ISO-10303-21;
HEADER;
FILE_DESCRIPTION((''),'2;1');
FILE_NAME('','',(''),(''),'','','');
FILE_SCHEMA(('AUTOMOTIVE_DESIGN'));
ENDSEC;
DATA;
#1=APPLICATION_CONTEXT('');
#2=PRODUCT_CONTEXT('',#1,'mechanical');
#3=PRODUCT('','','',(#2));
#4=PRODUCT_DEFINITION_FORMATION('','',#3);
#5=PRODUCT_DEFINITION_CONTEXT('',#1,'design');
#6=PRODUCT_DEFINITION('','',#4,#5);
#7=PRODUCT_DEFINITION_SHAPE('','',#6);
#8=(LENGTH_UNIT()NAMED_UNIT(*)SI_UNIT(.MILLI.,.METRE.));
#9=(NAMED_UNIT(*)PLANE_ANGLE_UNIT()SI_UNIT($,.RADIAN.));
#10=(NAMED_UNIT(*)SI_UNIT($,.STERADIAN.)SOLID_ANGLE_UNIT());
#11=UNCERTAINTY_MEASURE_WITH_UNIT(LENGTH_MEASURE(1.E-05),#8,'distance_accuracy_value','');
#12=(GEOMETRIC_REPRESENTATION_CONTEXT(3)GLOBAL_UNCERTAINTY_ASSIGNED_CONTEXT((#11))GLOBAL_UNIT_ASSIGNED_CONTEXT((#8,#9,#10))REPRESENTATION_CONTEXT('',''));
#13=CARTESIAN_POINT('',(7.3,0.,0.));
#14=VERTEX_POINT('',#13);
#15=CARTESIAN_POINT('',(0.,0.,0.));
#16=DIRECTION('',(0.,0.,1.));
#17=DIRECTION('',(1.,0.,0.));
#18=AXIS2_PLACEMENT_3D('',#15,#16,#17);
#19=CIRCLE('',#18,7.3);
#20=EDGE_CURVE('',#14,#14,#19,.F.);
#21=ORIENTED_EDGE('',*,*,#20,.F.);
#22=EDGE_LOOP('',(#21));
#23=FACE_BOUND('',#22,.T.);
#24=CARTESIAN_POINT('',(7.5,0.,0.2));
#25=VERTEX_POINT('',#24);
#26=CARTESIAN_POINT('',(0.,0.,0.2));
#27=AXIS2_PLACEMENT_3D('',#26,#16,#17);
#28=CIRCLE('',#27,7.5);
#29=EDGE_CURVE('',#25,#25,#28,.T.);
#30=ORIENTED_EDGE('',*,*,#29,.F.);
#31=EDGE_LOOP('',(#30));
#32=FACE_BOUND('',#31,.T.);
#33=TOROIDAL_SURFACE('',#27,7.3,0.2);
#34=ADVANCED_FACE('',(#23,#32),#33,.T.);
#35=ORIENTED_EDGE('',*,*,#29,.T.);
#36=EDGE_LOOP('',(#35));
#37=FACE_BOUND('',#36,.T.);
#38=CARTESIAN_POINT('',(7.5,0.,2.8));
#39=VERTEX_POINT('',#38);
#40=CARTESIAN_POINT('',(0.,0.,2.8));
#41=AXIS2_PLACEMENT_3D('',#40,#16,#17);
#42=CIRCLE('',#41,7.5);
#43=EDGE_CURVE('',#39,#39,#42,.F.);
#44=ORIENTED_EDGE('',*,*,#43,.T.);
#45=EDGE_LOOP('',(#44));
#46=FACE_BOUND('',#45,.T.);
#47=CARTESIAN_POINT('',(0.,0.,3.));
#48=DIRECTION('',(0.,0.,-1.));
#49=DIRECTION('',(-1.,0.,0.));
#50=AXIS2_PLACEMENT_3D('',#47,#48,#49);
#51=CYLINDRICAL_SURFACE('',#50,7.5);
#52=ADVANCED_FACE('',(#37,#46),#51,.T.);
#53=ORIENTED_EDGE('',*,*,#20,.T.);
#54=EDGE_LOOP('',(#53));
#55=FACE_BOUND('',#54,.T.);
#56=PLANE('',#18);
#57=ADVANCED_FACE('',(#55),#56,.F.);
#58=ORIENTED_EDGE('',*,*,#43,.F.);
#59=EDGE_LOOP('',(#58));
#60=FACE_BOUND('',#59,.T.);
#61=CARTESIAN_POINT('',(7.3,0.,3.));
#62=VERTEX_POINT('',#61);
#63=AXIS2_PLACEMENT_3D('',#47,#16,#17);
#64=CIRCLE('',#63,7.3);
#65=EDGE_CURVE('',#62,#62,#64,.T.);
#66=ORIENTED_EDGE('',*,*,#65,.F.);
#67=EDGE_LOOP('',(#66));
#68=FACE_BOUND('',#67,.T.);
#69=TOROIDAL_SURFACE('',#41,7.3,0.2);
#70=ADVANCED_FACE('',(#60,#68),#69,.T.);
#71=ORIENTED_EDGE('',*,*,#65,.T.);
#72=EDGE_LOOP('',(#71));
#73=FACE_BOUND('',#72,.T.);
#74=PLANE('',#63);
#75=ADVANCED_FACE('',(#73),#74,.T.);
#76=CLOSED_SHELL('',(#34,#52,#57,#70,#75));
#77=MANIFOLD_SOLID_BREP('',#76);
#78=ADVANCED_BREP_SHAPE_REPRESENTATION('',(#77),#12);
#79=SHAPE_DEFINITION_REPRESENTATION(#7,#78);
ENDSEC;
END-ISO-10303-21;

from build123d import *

# Parameters (mm, degrees)
SKETCH_1_R      = 7.5
EXTRUDE_1_DEPTH = 3
FILLET_1_R      = 0.2


with BuildPart() as part:
    # 草图1 → 凸台-拉伸1 (new body)
    with BuildSketch(Plane.XY):
        Circle(SKETCH_1_R)
    extrude(amount=EXTRUDE_1_DEPTH)

    # 圆角1
    fillet_1_edges = [part.edges().sort_by_distance(p)[0] for p in [
        (-7.5, 0, 0),
        (-7.5, 0, 3),
    ]]
    fillet(fillet_1_edges, radius=FILLET_1_R)


solid = part.part
